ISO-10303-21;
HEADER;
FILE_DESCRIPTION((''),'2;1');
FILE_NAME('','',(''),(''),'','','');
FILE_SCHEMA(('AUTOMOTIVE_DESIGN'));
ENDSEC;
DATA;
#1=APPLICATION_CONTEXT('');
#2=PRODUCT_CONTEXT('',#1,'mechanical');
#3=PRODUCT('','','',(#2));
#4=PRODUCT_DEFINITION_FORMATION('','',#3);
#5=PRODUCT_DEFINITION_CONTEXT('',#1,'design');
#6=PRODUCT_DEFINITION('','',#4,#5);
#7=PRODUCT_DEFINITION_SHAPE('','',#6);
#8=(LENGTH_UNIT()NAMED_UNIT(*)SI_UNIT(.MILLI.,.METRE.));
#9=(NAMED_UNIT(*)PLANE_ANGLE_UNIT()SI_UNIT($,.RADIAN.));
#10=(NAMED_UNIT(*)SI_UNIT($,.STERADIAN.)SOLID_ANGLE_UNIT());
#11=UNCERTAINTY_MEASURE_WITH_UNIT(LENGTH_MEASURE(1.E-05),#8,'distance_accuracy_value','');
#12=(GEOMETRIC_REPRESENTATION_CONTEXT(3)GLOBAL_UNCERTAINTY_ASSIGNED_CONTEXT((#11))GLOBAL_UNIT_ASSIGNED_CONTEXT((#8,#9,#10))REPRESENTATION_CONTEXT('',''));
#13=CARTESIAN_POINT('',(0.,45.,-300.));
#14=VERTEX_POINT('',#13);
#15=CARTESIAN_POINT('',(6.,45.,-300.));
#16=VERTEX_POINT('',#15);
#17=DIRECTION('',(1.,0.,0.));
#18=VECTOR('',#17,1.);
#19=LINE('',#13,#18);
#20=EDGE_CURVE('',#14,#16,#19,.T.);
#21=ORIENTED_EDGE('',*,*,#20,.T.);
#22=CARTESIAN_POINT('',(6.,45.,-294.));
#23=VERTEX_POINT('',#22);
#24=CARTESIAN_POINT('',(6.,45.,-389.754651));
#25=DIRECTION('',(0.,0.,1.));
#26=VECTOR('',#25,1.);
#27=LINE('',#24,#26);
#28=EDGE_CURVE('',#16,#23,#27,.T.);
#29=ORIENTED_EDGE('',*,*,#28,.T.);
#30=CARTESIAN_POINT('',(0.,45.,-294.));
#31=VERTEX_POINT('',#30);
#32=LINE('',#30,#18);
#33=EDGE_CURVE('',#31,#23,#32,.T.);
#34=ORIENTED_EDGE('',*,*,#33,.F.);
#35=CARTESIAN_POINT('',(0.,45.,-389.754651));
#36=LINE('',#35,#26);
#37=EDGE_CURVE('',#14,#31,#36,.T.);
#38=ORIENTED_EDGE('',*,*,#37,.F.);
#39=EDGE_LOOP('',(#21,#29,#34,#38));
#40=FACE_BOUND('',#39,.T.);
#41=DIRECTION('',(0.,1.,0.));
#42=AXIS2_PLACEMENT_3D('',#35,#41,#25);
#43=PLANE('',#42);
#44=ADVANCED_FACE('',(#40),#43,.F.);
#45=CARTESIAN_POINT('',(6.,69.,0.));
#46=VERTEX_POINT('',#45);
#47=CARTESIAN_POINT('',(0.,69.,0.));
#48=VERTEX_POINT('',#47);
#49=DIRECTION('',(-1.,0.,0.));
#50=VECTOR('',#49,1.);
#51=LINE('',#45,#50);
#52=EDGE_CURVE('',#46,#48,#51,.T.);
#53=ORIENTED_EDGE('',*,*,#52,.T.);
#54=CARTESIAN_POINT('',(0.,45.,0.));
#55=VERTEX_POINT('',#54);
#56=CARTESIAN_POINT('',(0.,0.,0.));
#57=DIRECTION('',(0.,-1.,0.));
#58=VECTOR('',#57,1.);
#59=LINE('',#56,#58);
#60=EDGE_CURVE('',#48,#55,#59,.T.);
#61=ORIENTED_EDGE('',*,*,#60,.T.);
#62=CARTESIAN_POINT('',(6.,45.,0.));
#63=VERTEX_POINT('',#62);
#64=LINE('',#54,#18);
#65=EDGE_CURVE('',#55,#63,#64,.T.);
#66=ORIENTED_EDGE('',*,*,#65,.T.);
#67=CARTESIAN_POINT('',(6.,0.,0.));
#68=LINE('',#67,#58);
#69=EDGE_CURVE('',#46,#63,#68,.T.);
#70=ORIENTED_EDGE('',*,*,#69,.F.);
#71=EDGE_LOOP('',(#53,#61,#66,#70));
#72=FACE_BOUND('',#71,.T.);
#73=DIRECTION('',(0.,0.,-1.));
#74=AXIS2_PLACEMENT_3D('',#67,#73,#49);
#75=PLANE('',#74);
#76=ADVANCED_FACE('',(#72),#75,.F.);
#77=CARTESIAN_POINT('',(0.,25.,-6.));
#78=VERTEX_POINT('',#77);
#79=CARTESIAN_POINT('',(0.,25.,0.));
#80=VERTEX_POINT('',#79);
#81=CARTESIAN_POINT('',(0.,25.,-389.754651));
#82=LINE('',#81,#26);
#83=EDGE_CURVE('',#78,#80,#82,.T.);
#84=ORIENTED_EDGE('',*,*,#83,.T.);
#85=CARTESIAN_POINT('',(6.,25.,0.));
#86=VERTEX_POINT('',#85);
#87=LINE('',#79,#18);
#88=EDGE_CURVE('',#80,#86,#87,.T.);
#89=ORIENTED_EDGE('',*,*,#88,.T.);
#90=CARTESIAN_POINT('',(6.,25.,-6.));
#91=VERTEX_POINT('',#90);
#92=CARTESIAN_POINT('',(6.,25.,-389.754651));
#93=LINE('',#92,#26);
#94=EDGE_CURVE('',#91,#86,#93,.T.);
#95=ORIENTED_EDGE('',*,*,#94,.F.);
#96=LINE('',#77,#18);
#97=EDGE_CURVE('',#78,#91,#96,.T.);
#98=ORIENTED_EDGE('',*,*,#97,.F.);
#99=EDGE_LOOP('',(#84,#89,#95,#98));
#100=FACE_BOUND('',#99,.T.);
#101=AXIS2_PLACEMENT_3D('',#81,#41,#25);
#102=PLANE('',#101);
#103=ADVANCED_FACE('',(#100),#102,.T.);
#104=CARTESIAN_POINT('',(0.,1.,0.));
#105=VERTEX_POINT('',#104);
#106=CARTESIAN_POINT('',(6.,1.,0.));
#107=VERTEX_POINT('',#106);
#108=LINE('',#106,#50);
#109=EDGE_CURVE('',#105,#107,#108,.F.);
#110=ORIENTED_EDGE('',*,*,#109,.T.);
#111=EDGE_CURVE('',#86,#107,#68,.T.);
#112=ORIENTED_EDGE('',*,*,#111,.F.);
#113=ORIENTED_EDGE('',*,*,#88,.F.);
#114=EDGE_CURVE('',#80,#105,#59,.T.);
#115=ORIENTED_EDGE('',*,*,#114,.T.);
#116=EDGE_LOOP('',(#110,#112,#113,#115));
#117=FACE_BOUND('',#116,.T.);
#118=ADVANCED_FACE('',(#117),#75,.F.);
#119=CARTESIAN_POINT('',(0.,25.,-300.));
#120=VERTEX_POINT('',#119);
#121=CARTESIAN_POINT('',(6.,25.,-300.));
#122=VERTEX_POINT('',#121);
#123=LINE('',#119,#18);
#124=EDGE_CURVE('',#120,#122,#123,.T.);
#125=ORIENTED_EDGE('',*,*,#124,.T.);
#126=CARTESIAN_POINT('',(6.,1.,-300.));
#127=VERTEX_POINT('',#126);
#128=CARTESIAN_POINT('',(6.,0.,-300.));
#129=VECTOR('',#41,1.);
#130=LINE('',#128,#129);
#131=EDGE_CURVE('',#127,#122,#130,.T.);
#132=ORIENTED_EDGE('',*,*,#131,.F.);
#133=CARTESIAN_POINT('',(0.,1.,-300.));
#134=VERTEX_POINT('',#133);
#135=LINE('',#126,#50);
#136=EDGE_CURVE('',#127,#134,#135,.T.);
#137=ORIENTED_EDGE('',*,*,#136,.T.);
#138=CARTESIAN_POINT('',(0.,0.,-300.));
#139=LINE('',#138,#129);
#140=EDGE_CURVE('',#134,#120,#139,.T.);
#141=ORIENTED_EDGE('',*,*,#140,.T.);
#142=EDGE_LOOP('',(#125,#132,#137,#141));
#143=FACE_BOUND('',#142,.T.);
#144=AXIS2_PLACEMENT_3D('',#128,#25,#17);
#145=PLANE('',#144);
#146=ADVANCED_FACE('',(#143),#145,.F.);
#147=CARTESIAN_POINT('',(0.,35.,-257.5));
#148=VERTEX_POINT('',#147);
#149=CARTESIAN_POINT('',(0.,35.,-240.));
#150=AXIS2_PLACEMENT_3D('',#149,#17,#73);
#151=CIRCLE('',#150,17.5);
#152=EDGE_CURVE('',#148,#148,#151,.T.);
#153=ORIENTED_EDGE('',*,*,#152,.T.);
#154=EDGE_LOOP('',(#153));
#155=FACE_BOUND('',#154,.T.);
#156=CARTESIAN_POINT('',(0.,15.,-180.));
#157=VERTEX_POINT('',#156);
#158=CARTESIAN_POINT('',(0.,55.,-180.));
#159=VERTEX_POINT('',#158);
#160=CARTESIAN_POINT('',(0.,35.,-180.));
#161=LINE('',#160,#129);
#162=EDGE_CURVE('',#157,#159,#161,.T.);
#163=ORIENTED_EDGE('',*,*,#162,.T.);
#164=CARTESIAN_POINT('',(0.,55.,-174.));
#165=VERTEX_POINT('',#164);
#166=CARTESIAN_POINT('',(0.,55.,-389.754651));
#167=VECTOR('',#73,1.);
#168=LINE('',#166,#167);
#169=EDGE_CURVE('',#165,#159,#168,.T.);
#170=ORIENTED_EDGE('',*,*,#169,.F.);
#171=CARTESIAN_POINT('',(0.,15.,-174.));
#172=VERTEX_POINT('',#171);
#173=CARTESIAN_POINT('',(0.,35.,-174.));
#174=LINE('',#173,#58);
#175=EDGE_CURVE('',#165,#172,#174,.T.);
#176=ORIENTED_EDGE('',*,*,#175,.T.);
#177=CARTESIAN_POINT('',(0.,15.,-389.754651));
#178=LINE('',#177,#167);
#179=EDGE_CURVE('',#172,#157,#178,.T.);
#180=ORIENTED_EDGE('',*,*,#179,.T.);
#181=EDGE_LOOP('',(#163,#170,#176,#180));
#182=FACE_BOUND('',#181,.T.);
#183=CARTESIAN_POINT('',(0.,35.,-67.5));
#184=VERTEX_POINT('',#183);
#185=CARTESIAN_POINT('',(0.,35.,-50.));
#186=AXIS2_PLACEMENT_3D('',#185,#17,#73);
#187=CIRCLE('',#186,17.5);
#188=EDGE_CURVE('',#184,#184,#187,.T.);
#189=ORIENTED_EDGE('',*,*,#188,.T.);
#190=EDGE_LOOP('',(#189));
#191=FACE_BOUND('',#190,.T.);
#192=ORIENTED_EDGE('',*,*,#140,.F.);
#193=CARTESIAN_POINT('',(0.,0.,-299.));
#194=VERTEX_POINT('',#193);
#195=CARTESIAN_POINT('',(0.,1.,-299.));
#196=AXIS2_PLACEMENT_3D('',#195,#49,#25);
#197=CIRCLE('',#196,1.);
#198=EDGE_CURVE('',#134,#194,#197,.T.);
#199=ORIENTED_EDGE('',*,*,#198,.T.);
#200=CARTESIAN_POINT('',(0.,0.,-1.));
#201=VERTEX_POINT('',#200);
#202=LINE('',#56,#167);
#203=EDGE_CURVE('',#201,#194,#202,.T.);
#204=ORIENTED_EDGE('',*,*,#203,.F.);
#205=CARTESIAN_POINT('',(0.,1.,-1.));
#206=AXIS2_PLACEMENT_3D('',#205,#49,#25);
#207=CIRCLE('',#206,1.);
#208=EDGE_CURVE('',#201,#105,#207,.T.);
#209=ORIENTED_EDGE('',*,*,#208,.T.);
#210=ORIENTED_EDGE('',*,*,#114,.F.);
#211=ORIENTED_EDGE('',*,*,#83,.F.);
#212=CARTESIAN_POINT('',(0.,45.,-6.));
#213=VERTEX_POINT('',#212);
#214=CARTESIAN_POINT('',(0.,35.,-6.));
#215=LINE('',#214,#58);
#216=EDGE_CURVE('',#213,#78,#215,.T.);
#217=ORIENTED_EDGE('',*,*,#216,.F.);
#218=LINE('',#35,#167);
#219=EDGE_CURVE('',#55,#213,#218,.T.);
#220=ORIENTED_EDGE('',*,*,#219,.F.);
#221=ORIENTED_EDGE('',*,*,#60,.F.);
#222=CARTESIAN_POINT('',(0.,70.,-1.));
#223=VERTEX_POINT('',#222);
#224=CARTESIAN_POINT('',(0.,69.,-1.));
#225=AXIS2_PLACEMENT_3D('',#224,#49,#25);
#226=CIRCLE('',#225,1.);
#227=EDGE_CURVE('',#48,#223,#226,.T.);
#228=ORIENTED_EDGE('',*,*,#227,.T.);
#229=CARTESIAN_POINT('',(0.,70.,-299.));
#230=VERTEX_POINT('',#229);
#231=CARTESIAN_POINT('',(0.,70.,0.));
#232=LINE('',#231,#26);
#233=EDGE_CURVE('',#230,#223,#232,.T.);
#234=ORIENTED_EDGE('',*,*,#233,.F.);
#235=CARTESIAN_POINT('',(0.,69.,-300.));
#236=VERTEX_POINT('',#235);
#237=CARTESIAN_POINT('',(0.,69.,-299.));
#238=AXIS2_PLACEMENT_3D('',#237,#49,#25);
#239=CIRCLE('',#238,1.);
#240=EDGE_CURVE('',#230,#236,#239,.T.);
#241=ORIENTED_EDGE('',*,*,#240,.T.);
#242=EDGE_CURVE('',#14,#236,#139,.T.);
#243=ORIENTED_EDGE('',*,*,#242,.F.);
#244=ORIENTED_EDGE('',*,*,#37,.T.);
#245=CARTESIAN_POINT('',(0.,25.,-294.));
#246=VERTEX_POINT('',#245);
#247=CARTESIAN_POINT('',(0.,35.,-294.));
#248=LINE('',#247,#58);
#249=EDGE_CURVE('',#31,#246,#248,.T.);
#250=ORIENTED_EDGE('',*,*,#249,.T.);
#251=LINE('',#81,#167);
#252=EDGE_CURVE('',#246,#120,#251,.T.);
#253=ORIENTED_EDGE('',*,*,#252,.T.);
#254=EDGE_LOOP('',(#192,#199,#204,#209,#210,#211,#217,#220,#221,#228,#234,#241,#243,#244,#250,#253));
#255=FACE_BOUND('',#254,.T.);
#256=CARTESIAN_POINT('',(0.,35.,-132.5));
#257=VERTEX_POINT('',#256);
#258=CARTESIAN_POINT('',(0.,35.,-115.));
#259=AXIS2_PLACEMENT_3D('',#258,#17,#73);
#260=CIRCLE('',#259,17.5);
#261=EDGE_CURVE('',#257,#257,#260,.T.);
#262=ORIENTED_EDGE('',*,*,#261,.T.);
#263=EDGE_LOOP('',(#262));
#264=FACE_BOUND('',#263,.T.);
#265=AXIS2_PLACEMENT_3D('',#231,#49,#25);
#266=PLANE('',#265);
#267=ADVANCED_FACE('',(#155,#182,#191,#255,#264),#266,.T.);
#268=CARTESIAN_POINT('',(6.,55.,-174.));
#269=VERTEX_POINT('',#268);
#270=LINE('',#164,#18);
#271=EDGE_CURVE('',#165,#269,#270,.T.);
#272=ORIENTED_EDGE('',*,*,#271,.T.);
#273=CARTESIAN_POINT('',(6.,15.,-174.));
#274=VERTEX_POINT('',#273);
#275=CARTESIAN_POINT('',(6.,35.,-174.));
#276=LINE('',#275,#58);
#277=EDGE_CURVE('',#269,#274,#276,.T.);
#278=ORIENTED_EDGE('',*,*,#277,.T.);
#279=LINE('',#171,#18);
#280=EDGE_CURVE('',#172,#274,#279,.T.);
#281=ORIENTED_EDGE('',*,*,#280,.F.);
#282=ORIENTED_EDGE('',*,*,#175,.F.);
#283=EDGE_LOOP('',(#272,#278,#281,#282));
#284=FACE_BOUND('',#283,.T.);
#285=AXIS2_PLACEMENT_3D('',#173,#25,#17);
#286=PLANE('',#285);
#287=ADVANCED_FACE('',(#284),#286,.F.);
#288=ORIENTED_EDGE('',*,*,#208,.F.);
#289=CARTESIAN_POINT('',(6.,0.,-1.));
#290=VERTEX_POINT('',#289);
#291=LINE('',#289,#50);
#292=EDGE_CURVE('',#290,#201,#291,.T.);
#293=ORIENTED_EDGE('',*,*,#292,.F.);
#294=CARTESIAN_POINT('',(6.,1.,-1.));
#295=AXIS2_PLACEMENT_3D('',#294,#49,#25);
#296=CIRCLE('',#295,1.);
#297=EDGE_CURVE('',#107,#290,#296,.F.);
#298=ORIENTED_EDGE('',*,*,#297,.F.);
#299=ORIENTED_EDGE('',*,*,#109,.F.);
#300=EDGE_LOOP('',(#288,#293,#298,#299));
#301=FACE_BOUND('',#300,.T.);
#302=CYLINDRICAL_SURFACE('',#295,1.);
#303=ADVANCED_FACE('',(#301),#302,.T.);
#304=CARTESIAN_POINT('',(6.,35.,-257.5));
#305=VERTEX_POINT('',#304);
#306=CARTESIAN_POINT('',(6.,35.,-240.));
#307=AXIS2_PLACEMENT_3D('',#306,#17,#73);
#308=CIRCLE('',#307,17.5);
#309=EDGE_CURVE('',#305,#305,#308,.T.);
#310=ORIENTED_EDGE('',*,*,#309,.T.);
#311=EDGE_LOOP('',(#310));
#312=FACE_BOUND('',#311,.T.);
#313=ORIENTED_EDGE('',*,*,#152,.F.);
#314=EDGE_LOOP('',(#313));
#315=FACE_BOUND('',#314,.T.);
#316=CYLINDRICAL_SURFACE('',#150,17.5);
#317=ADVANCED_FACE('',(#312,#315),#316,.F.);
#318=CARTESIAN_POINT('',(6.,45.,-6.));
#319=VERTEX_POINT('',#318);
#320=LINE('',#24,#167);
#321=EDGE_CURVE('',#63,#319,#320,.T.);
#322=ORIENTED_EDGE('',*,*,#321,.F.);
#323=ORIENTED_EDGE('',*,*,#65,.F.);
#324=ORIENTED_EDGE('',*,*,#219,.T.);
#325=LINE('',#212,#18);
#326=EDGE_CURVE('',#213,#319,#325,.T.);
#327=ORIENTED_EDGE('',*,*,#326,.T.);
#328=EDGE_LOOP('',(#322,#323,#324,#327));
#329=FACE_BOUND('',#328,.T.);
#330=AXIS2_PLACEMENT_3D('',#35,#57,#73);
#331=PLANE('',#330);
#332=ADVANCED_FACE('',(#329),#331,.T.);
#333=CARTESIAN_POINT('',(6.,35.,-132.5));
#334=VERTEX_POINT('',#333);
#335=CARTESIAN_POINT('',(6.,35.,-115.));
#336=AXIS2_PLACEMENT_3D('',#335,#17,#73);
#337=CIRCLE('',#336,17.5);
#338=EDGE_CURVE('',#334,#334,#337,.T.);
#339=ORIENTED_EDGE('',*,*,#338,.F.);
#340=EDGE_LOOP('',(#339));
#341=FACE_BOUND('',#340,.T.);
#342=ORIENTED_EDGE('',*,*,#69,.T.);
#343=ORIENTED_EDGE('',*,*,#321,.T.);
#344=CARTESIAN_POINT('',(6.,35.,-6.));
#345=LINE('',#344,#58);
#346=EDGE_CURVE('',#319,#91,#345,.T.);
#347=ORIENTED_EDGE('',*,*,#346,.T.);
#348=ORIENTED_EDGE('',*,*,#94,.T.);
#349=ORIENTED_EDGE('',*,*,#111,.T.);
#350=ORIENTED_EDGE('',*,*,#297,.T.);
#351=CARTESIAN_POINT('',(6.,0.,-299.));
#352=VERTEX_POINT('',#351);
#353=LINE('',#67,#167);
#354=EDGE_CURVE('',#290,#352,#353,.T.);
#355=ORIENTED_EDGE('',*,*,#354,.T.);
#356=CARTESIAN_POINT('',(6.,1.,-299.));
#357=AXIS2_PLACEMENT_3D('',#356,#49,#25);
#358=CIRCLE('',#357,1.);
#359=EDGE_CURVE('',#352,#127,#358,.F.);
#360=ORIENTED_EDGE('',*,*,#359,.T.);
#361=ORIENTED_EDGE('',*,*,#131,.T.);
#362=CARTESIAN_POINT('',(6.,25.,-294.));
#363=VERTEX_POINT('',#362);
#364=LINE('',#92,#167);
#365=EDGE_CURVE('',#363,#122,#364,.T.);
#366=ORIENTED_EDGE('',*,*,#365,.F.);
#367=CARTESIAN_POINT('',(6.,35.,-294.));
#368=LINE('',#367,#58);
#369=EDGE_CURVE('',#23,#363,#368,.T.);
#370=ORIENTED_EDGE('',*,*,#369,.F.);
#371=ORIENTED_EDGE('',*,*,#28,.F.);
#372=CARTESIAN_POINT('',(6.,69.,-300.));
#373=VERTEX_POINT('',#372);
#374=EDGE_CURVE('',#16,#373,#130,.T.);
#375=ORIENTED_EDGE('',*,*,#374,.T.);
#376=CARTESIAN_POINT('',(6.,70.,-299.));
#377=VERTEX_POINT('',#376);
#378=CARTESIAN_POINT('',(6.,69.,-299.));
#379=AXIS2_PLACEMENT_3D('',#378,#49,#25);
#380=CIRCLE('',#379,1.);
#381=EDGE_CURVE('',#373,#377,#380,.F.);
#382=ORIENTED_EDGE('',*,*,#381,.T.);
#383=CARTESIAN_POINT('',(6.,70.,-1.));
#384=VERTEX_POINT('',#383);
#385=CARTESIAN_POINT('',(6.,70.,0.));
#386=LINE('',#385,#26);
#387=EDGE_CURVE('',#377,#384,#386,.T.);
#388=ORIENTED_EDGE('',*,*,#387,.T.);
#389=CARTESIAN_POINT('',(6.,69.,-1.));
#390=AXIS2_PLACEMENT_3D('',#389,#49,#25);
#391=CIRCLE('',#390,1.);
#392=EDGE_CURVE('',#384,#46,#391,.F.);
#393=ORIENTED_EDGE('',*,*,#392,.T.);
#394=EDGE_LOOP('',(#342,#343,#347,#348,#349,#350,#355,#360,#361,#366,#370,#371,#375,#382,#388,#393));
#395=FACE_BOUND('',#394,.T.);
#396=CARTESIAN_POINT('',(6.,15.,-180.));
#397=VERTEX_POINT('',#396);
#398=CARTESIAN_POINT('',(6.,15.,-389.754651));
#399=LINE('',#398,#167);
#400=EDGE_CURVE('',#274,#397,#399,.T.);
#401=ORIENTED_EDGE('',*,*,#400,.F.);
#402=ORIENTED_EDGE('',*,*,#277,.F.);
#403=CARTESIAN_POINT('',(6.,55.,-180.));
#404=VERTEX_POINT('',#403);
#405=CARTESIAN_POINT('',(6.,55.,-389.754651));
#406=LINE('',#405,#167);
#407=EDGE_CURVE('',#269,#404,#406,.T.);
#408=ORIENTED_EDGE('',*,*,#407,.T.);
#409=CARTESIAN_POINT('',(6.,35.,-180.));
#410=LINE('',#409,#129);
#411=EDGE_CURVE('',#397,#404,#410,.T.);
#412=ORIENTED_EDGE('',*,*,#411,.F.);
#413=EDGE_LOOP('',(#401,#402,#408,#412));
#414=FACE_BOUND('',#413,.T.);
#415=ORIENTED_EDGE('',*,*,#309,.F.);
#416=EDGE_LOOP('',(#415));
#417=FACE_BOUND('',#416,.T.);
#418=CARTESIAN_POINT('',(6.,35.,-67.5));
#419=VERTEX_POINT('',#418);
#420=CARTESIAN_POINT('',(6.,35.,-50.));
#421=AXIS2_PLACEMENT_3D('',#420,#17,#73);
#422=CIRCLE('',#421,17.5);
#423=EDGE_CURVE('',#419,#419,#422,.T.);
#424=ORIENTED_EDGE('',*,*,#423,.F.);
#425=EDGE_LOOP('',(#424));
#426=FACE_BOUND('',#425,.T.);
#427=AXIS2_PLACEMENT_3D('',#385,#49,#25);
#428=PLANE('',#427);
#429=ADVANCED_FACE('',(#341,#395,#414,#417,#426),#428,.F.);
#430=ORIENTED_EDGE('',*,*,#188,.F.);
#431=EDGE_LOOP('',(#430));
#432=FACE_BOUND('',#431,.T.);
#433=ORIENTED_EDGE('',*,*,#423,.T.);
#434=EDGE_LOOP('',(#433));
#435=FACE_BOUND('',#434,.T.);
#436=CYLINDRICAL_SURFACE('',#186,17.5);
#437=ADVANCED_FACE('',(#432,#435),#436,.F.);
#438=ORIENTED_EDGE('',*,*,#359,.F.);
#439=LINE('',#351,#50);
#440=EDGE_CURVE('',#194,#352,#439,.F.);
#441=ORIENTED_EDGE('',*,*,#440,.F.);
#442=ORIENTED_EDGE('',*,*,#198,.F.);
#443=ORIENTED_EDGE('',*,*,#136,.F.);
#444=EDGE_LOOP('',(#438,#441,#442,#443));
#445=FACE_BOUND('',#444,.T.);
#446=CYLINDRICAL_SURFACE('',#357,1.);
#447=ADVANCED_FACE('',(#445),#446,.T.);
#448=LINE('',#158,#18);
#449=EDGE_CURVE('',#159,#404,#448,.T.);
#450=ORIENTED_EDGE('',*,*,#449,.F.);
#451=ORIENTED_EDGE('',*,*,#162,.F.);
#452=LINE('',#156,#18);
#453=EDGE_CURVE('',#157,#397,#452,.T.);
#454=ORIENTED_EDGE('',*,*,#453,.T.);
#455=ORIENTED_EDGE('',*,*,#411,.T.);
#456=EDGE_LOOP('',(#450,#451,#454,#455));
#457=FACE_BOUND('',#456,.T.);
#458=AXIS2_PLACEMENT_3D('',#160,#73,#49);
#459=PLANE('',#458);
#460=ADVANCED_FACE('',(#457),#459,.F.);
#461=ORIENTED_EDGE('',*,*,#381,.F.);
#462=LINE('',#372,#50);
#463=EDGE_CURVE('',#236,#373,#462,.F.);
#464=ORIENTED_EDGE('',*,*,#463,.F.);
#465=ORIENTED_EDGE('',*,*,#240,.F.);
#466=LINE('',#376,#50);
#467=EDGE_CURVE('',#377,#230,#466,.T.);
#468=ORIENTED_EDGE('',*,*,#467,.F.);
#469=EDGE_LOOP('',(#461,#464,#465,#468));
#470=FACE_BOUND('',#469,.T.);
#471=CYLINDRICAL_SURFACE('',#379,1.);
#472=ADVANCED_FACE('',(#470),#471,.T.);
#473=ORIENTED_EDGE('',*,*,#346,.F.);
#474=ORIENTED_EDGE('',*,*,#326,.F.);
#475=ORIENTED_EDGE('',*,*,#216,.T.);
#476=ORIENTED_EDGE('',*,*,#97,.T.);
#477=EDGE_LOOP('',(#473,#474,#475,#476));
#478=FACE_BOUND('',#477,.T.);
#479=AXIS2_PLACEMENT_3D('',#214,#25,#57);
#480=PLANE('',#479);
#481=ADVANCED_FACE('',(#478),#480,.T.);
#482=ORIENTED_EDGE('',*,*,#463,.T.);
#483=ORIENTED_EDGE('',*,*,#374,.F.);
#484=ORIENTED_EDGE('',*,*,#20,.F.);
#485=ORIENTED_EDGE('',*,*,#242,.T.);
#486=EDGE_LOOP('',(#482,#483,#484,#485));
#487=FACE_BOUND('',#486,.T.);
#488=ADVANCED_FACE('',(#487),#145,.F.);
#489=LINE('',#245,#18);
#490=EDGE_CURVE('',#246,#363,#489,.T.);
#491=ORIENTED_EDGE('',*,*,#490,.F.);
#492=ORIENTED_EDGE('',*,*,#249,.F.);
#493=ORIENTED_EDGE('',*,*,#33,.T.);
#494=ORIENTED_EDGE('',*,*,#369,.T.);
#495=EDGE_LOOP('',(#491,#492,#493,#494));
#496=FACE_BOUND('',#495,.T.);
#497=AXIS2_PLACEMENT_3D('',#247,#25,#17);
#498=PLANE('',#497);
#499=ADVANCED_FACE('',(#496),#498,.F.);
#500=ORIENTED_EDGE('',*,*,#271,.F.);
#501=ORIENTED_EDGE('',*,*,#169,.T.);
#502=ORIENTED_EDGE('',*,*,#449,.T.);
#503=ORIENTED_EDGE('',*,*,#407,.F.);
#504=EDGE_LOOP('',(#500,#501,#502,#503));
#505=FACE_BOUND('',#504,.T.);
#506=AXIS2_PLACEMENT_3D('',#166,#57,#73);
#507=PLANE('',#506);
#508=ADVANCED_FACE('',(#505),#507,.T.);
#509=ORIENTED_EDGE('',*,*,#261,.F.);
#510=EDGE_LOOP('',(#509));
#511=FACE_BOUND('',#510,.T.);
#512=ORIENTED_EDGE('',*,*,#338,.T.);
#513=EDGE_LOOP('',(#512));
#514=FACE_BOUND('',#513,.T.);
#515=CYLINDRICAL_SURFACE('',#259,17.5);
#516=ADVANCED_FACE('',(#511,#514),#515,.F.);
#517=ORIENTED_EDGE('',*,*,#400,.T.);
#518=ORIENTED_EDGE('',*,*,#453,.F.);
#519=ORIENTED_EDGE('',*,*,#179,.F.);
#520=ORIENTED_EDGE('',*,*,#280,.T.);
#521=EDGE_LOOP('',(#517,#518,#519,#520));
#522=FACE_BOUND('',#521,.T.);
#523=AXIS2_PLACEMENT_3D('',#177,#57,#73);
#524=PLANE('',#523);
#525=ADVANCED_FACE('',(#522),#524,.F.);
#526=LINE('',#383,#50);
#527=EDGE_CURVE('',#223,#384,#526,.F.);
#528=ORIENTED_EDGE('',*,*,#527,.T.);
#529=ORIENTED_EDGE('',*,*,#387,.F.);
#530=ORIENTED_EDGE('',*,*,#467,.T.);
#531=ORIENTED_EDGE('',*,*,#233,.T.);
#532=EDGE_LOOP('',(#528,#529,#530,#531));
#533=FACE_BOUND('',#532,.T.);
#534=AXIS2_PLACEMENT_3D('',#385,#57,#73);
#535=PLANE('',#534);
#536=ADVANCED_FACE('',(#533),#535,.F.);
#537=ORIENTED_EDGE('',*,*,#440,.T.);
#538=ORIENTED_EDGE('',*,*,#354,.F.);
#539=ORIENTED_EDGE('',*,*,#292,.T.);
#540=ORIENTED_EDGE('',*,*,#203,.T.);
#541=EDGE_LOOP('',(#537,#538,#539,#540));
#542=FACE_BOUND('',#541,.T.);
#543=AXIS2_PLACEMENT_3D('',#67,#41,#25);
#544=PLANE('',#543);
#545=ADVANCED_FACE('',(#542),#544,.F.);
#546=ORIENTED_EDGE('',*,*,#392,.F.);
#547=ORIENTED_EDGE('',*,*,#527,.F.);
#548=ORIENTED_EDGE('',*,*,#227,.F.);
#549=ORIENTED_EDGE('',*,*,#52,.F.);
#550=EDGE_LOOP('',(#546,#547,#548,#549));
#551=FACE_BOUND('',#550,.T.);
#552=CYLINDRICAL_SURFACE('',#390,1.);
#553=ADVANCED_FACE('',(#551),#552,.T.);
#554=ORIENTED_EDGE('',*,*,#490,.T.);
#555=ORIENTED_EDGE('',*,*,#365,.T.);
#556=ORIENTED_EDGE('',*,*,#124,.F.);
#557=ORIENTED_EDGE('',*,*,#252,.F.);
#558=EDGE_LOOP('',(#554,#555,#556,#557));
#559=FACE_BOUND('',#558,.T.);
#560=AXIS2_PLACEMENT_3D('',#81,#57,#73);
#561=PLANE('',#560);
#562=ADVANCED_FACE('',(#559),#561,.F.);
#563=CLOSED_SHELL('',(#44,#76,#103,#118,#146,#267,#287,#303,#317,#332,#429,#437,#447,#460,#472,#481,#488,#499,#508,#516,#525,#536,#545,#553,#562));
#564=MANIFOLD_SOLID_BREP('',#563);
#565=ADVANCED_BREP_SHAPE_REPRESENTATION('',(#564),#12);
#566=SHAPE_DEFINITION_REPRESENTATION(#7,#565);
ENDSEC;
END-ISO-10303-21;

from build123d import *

# Parameters (mm, degrees)
SKETCH1_W   = 300
SKETCH1_H   = 70
WALL_DEPTH  = 6
SKETCH2_W   = 6
SKETCH2_H   = 40
SKETCH2_H_2 = 20
MOUNT_DEPTH = 309.116860947
SKETCH3_R   = 17.5
LITE_DEPTH  = 309.116860947
FILLET_2_R  = 1


with BuildPart() as part:
    # Sketch1 → wall (new body)
    with BuildSketch(Plane(origin=(0, 0, 0), x_dir=(0, 0, -1), z_dir=(1, 0, 0))):
        with Locations((150, 35)):
            Rectangle(SKETCH1_W, SKETCH1_H)
    extrude(amount=WALL_DEPTH)

    # Sketch2 → mount (cut, through all)
    with BuildSketch(Plane(origin=(6, 0, 0), x_dir=(0, 0, -1), z_dir=(1, 0, 0))):
        with Locations((177, 35)):
            Rectangle(SKETCH2_W, SKETCH2_H)
        with Locations((297, 35)):
            Rectangle(SKETCH2_W, SKETCH2_H_2)
        with Locations((3, 35)):
            Rectangle(SKETCH2_W, SKETCH2_H_2)
    extrude(amount=-MOUNT_DEPTH, mode=Mode.SUBTRACT)

    # Sketch3 → lite (cut, through all)
    with BuildSketch(Plane(origin=(6, 0, 0), x_dir=(0, 0, -1), z_dir=(1, 0, 0))):
        with Locations((50, 35)):
            Circle(SKETCH3_R)
        with Locations((115, 35)):
            Circle(SKETCH3_R)
        with Locations((240, 35)):
            Circle(SKETCH3_R)
    extrude(amount=-LITE_DEPTH, mode=Mode.SUBTRACT)

    # fillet 2
    fillet_2_edges = [part.edges().sort_by_distance(p)[0] for p in [
        (3, 70, 0),
        (3, 70, -300),
        (3, 0, -300),
        (3, 0, 0),
    ]]
    fillet(fillet_2_edges, radius=FILLET_2_R)


solid = part.part
